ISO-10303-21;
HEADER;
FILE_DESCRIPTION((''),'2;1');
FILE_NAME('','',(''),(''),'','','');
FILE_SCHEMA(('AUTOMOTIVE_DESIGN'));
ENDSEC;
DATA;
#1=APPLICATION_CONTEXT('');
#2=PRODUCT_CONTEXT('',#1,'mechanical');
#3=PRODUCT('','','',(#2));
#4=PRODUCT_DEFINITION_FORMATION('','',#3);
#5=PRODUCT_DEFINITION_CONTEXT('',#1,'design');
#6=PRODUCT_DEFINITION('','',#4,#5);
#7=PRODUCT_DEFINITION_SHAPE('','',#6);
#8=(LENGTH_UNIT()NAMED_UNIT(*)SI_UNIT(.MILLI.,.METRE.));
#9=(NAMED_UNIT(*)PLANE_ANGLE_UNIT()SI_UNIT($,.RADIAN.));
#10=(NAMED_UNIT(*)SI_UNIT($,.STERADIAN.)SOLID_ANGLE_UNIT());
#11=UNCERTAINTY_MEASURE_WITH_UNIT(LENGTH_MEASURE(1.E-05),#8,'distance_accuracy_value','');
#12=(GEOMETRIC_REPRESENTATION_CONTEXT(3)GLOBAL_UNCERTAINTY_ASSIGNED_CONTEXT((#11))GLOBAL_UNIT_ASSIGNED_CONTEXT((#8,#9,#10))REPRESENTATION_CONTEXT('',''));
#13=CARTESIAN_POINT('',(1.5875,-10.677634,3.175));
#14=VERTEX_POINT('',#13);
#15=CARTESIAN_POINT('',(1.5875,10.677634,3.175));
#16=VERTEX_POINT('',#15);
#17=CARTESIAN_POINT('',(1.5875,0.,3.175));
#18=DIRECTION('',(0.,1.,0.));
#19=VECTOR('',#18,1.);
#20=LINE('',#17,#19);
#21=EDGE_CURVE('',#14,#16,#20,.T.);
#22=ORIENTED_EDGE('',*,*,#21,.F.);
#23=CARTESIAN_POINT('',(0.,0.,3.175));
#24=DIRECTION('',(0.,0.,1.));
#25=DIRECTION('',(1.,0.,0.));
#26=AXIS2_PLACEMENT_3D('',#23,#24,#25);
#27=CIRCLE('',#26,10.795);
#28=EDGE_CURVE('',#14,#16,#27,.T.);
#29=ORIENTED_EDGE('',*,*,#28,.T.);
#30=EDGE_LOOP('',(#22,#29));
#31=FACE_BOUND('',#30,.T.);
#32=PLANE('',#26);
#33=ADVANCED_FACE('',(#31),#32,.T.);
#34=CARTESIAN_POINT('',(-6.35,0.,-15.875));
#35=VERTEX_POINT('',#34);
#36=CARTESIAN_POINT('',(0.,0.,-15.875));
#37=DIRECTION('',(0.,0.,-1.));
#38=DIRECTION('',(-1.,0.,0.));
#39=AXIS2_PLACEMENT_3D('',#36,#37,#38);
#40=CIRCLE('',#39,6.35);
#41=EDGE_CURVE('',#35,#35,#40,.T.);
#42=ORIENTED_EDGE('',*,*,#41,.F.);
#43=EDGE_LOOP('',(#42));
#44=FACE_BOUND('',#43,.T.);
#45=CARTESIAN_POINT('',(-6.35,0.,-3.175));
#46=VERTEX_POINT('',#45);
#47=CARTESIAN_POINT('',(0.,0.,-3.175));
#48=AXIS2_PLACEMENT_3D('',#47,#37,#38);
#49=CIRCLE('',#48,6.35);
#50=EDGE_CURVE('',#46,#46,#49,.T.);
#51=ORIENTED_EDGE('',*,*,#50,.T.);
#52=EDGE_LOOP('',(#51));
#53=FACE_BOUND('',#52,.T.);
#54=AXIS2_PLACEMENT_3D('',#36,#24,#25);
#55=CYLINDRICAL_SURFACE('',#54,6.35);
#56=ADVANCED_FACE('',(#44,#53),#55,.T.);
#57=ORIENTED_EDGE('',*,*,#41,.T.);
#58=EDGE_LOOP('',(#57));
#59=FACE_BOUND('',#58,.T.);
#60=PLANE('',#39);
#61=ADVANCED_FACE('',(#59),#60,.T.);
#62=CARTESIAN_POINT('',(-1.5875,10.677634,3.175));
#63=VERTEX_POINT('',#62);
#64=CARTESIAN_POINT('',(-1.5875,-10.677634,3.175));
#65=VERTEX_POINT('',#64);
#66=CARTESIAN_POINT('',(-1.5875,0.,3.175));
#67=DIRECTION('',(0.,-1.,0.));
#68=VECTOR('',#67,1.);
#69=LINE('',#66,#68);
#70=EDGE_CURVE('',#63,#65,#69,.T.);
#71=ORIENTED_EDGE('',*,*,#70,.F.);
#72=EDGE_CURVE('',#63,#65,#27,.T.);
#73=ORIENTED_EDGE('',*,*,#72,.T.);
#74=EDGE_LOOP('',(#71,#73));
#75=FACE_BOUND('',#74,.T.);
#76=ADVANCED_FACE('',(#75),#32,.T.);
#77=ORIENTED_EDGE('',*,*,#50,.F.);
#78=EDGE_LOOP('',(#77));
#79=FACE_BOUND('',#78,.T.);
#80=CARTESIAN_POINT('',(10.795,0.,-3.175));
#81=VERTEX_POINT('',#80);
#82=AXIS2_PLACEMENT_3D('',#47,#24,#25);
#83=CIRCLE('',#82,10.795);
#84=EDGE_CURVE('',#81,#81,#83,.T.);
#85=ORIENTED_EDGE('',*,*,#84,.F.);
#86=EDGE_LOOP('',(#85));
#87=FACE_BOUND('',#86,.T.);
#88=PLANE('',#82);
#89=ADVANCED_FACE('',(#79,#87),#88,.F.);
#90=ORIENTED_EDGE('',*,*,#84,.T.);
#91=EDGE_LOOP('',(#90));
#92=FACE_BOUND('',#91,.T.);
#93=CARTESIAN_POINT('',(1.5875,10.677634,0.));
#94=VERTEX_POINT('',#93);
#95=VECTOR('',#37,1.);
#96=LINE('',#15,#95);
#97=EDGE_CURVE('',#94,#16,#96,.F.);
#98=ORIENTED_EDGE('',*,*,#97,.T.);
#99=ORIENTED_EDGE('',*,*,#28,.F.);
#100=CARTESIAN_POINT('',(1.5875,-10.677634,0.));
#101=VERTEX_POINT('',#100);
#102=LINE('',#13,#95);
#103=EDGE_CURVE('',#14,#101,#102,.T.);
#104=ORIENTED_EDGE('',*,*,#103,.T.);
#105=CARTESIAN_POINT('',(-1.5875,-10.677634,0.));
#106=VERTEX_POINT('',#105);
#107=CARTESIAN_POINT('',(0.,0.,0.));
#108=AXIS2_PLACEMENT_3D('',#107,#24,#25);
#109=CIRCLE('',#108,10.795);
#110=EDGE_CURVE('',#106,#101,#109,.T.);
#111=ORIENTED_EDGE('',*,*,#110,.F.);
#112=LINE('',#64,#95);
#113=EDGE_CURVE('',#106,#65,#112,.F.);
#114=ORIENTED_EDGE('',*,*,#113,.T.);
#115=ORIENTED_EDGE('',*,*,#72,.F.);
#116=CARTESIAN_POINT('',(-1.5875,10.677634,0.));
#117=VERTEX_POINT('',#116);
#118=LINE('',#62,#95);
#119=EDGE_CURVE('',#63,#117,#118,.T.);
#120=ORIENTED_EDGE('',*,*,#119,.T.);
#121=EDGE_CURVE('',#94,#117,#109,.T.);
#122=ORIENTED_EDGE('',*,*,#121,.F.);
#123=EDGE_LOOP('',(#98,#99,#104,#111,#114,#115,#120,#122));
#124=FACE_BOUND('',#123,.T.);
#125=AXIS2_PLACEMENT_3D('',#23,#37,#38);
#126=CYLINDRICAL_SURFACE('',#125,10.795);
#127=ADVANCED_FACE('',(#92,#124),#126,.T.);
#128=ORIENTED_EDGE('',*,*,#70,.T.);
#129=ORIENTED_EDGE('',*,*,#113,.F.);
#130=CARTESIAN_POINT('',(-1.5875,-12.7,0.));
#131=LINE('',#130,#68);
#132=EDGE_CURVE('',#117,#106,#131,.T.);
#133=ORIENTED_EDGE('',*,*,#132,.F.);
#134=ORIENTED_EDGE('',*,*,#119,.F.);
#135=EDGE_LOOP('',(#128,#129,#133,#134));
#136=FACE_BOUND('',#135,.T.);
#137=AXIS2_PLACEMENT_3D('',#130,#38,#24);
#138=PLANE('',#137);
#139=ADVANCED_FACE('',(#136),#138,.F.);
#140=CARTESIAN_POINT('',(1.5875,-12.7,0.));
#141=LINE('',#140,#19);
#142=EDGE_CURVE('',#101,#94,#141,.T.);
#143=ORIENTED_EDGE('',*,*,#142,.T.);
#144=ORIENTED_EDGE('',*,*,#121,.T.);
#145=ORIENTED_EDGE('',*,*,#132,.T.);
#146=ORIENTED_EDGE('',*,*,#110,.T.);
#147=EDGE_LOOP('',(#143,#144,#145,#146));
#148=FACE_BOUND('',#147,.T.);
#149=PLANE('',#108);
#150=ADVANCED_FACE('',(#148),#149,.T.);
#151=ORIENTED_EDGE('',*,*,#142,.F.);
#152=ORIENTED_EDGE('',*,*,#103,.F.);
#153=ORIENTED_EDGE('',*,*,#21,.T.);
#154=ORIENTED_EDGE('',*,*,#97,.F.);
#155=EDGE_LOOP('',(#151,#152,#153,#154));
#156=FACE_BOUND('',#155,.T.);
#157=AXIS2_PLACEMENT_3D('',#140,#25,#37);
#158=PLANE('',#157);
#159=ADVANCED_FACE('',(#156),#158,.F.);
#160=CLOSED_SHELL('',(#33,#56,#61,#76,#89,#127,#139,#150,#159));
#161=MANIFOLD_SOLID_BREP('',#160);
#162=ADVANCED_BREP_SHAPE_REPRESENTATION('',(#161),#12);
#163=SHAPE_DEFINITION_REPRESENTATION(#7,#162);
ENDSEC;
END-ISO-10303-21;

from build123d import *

# Parameters (mm, degrees)
SKETCH1_R           = 10.795
BOSS_EXTRUDE1_DEPTH = 3.175
SKETCH2_R           = 6.35
BOSS_EXTRUDE2_DEPTH = 12.7
SKETCH3_W           = 3.175
SKETCH3_H           = 25.4
CUT_EXTRUDE1_DEPTH  = 3.175


with BuildPart() as part:
    # Sketch1 → Boss-Extrude1 (new, symmetric)
    with BuildSketch(Plane.XY):
        Circle(SKETCH1_R)
    extrude(amount=BOSS_EXTRUDE1_DEPTH, both=True)

    # Sketch2 → Boss-Extrude2 (add)
    with BuildSketch(Plane(origin=(0, 0, -3.175), x_dir=(-1, 0, 0), z_dir=(0, 0, -1))):
        Circle(SKETCH2_R)
    extrude(amount=BOSS_EXTRUDE2_DEPTH)

    # Sketch3 → Cut-Extrude1 (cut)
    with BuildSketch(Plane.XY.offset(3.175)):
        Rectangle(SKETCH3_W, SKETCH3_H)
    extrude(amount=-CUT_EXTRUDE1_DEPTH, mode=Mode.SUBTRACT)


solid = part.part
